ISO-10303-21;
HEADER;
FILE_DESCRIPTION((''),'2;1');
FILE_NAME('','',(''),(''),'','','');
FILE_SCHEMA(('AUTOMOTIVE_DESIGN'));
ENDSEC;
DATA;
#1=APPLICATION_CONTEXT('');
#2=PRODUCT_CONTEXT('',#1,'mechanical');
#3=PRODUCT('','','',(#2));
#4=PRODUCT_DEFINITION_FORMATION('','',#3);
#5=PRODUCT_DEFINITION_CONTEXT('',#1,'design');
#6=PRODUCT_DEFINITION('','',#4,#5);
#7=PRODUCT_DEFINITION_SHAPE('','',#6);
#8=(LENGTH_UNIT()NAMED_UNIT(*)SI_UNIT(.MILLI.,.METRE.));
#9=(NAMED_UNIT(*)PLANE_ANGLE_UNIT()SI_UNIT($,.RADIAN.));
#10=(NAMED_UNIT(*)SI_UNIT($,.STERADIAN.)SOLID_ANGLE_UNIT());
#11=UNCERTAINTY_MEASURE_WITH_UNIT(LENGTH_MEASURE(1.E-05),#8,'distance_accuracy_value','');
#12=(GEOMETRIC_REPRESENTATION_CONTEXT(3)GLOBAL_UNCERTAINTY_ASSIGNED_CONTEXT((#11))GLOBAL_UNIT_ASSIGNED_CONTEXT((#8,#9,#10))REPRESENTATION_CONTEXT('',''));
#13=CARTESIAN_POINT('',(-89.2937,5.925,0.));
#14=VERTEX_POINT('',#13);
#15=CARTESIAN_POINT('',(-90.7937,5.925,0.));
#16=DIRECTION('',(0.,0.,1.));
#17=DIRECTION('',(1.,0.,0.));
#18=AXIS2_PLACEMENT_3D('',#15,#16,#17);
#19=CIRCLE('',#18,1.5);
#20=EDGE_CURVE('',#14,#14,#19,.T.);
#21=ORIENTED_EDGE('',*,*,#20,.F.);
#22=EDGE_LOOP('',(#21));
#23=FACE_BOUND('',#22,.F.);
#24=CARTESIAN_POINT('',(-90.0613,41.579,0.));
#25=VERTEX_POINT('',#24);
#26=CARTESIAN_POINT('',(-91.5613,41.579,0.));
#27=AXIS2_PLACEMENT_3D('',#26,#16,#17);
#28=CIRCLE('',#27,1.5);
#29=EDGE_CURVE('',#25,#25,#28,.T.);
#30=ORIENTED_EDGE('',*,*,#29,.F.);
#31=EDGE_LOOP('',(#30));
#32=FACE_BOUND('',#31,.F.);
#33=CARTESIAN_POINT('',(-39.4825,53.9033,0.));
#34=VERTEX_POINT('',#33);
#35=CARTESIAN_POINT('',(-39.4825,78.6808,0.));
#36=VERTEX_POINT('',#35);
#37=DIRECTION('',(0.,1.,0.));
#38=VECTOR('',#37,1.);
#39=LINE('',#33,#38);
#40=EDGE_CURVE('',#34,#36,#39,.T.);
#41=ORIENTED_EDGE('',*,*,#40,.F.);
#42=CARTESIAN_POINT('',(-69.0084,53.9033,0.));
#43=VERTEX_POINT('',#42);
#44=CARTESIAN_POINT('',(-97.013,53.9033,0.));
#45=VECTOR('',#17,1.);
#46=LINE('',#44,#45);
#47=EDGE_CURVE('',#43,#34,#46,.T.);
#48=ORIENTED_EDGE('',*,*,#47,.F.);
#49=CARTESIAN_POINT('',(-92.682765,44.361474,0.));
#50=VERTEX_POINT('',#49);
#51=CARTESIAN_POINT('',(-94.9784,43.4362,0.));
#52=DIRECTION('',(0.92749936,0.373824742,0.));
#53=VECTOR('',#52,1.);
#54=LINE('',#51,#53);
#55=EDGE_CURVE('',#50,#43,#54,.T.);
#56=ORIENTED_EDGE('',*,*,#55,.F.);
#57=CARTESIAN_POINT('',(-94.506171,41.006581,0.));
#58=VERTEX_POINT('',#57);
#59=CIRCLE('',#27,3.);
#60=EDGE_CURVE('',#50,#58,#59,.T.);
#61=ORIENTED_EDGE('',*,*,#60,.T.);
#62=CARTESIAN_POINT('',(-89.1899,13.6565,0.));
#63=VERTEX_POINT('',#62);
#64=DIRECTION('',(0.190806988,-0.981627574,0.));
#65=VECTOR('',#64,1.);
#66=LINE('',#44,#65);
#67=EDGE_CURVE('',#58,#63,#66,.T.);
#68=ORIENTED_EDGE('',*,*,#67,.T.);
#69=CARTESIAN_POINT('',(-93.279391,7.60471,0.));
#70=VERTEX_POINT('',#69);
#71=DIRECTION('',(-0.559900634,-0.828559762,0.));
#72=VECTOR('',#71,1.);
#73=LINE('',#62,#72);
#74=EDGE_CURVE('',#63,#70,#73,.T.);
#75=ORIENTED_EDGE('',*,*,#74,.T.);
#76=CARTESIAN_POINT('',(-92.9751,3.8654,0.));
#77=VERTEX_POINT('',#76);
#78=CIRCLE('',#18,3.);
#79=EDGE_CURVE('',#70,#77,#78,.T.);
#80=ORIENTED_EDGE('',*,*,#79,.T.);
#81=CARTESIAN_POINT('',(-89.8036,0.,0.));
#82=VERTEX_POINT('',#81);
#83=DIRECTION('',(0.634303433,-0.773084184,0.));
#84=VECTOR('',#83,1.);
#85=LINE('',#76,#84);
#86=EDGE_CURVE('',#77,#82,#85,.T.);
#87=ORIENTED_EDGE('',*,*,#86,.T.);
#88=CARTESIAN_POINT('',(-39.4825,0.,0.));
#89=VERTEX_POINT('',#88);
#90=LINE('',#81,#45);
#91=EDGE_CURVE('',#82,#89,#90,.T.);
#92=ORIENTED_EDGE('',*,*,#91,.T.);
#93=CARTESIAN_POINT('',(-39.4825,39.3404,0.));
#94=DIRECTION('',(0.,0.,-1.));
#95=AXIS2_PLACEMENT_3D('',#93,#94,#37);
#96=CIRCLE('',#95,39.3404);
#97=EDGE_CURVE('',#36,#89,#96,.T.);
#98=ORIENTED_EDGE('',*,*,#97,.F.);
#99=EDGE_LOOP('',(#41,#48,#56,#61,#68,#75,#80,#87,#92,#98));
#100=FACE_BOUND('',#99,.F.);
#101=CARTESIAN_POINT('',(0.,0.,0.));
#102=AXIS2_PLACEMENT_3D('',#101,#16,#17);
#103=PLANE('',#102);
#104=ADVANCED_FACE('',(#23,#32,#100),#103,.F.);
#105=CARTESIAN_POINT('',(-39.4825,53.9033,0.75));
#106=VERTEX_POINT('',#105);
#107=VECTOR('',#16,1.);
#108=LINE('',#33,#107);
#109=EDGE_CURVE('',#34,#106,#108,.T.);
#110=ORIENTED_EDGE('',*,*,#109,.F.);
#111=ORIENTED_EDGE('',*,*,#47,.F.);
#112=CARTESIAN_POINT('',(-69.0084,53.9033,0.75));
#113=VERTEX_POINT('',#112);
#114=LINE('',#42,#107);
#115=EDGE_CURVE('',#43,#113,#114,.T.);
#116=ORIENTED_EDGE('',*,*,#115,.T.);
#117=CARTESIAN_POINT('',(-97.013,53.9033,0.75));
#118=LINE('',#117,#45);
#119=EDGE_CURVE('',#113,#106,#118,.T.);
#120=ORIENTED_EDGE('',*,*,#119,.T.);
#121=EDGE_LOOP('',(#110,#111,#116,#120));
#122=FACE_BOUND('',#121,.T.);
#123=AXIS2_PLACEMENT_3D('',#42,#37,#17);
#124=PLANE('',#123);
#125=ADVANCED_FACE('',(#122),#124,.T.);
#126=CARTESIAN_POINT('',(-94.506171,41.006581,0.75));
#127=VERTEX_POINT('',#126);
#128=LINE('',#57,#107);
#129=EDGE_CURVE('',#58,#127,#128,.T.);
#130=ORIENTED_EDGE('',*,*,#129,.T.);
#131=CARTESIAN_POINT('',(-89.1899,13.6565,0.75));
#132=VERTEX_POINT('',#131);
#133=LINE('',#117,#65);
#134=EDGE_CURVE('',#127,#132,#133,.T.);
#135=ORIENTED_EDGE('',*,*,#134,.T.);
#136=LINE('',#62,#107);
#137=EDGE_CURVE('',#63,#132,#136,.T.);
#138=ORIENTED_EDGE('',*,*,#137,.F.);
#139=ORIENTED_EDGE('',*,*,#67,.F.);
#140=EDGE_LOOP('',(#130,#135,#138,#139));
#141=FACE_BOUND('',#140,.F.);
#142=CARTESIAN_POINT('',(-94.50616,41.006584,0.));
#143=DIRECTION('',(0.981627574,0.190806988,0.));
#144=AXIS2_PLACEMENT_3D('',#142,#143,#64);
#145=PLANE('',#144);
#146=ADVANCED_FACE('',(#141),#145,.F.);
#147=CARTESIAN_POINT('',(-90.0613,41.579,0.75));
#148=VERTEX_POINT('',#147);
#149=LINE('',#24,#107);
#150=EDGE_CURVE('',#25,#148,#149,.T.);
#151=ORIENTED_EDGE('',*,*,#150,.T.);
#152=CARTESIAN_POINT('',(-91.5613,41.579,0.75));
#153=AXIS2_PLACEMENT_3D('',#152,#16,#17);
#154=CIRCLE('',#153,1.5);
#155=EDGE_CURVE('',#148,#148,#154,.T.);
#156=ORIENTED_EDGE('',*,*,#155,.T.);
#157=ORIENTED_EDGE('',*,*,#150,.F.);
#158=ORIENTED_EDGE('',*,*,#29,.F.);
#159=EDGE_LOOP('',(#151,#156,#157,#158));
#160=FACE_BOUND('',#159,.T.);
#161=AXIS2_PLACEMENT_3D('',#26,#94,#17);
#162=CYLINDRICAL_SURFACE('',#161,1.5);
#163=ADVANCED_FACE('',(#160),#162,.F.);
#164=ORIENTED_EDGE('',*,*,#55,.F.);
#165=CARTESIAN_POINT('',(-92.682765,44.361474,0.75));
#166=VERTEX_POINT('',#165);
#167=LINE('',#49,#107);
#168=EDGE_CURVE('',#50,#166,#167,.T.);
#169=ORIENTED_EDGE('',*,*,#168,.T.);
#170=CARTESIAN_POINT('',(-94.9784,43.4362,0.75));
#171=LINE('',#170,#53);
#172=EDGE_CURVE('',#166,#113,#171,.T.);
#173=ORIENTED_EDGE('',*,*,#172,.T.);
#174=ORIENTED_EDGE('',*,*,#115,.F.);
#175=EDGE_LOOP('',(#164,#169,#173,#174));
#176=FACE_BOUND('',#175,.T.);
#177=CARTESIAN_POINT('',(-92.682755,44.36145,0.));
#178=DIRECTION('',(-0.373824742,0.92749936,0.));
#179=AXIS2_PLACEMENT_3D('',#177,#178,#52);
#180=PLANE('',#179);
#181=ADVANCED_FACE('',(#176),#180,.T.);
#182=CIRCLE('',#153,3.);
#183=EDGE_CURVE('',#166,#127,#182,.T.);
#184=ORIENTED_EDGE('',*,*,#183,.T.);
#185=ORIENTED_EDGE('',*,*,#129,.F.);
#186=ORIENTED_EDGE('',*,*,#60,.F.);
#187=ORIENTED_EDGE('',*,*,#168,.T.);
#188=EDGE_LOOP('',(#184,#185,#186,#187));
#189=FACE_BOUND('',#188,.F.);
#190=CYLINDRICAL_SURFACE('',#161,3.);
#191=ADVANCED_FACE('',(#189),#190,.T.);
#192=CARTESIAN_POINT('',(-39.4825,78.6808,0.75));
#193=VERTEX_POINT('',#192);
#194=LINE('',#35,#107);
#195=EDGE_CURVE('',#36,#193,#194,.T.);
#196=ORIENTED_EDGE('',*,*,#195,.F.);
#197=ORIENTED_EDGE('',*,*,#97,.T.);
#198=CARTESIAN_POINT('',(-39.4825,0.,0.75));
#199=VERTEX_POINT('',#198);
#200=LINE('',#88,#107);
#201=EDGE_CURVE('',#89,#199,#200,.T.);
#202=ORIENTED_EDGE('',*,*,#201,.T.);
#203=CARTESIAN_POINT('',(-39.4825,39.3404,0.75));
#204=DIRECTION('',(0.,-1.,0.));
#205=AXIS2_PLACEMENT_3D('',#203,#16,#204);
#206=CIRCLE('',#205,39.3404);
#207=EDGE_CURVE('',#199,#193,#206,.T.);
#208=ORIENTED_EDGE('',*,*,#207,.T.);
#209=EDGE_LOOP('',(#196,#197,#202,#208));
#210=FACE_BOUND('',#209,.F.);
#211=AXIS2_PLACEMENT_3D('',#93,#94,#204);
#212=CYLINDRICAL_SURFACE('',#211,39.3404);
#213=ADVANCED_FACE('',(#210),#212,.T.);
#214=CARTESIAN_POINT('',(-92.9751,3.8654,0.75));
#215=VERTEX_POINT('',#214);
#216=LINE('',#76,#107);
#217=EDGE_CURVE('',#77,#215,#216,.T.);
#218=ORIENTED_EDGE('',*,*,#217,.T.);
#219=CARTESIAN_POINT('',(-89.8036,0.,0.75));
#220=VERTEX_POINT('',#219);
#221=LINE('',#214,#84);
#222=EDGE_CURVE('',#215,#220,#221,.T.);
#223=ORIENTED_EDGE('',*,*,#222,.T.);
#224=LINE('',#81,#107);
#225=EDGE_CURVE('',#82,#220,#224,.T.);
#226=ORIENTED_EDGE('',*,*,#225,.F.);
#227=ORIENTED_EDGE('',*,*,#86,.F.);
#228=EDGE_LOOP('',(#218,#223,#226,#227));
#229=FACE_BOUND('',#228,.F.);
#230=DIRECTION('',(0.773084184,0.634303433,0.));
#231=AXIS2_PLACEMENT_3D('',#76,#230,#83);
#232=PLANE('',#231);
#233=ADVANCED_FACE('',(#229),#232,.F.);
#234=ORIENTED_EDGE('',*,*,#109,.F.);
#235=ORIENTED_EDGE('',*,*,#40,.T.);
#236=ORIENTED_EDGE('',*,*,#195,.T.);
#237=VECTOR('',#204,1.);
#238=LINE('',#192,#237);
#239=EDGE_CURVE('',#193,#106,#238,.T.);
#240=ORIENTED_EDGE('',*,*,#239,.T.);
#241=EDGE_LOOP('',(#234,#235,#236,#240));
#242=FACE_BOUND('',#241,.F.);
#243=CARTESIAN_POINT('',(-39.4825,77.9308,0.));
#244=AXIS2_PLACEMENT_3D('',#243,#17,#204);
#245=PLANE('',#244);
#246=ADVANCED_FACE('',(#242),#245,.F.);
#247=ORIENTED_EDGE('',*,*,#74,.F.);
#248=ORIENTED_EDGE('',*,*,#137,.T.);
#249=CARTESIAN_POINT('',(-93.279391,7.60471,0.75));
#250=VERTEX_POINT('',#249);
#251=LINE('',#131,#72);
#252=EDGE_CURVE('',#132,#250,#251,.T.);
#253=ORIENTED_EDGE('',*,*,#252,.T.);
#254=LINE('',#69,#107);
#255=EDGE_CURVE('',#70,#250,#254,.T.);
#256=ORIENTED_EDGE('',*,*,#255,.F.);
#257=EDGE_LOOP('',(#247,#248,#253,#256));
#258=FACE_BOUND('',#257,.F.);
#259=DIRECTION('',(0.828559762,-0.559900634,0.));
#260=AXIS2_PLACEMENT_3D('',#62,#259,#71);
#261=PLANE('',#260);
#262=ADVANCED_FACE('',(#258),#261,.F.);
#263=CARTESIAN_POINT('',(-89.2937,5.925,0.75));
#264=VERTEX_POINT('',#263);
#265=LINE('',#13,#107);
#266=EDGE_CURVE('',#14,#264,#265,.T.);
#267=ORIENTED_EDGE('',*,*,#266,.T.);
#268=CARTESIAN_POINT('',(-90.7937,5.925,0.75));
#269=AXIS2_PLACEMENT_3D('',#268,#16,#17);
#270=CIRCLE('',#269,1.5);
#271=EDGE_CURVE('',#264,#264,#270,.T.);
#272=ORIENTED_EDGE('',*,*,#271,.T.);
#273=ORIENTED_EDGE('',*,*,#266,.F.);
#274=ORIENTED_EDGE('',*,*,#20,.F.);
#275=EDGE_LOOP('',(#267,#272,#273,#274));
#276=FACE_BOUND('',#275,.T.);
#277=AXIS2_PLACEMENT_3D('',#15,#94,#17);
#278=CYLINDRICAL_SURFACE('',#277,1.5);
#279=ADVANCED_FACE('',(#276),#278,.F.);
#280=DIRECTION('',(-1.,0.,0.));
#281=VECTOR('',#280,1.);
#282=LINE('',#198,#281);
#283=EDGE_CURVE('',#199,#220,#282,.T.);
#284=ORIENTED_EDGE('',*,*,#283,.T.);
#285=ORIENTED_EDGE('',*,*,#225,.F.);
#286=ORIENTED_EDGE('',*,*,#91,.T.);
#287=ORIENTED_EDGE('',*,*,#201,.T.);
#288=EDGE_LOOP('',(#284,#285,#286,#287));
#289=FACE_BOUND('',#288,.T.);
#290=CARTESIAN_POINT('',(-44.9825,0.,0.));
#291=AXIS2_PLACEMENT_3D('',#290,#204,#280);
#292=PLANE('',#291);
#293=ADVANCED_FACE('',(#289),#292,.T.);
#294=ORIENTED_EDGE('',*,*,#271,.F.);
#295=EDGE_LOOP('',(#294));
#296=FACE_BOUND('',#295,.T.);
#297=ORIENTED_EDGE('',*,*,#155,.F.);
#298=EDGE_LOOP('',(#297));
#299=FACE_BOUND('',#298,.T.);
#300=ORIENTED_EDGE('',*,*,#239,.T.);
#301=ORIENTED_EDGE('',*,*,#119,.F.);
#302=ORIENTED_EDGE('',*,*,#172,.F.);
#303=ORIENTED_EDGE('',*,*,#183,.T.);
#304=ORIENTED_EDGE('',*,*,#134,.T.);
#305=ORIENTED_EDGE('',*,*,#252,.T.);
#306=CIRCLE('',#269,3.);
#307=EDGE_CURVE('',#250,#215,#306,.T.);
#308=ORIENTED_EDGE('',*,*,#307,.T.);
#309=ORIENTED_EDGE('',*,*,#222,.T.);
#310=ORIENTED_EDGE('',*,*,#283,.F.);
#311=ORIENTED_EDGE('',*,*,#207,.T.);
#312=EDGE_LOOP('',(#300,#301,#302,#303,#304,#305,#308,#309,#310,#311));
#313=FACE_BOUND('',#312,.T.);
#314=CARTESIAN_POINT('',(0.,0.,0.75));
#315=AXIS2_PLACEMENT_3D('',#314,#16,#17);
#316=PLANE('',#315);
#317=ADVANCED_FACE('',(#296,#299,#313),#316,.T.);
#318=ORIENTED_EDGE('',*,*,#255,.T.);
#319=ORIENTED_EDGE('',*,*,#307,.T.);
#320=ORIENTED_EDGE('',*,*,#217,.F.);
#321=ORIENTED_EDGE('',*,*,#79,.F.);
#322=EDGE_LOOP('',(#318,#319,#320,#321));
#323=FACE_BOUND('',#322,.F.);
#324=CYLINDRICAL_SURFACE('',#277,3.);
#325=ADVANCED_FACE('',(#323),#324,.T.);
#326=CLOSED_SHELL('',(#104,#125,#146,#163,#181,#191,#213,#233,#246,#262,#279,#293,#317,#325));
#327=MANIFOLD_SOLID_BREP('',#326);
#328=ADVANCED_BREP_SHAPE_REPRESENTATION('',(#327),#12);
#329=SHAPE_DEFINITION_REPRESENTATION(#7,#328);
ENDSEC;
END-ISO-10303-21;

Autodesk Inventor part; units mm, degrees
ref_plane "YZ Plane" through (0, 0, 0) normal (1, 0, 0) x (0, 1, 0)
ref_plane "XZ Plane" through (0, 0, 0) normal (0, 1, 0) x (-1, 0, 0)
ref_plane "XY Plane" through (0, 0, 0) normal (0, 0, 1) x (1, 0, 0)
sketch "スケッチ1" plane through (0, 0, 0) normal (0, 0, 1) x (1, 0, 0)
  line L0 (44.9825, 3) -> (44.9825, 0) construction
  line L1 (44.9825, 0) -> (93.5151, 0) construction
  line L2 (44.9825, 3) -> (93.5151, 3) construction
  circle A0 centre (152.1179, -73.6808) radius 5 construction
  circle A1 centre (90.7937, -5.925) radius 3 construction
  circle A2 centre (91.5613, -41.579) radius 3 construction
  line L3 (50.9825, 0) -> (47.9825, 0) construction
  line L4 (47.9825, 0.7) -> (50.9825, 0.7) construction
  circle A3 centre (110.1553, -43.629) radius 14 construction
  circle A4 centre (105.6122, -16) radius 14 construction
  arc A5 (39.4825, -0.75) -> (39.4825, -77.9308) centre (39.4825, -39.3404) ccw construction
  line L5 (-44.9825, -3) -> (-44.9825, 0)
  line L6 (-44.9825, 0) -> (-93.5151, 0)
  line L7 (-44.9825, -3) -> (-93.5151, -3)
  circle A6 centre (-152.1179, 73.6808) radius 5
  circle A7 centre (-90.7937, 5.925) radius 3
  circle A8 centre (-91.5613, 41.579) radius 3
  line L8 (-50.9825, 0) -> (-47.9825, 0)
  line L9 (-47.9825, -0.7) -> (-50.9825, -0.7)
  circle A9 centre (-110.1553, 43.629) radius 14
  circle A10 centre (-105.6122, 16) radius 14
  arc A11 (-39.4825, 0.75) -> (-39.4825, 77.9308) centre (-39.4825, 39.3404) ccw
  line L10 (-97.013, 53.9033) -> (-2.9368, 53.9033)
  circle A12 centre (-91.5613, 41.579) radius 1.5
  circle A13 centre (-90.7937, 5.925) radius 1.5
  line L11 (-97.013, 53.9033) -> (-89.1899, 13.6565)
  line L12 (-89.1899, 13.6565) -> (-98.7082, -0.429)
  line L13 (0, 0) -> (-132.2518, 0)
  line L14 (-98.4183, 0) -> (-39.4825, 0)
  arc A14 (-39.4825, 0) -> (-39.4825, 78.6808) centre (-39.4825, 39.3404) ccw
  line L15 (-39.4825, 78.6808) -> (-39.4825, 53.9033)
  line L16 (-94.9784, 43.4362) -> (-69.0084, 53.9033)
  line L17 (-92.9751, 3.8654) -> (-89.8036, 0)
  point P0 (49.4825, 0.7)
  point P1 (-49.4825, -0.7)
  point P2 (-39.4825, 0)
  point P3 (-39.4825, 78.6808)
  point P4 (-92.6828, 44.3615)
  point P5 (-94.5062, 41.0065)
  point P6 (-44.9825, 0)
  point P7 (-89.8036, 0)
  point P8 (-93.2794, 7.6047)
  dimension "d2" = 360
  dimension "d4" = 3
  dimension "d5" = 3
  dimension "d6" = 1.5
  dimension "d7" = 41
  dimension "d8" = 79
  dimension "d9" = 17
  dimension "d11" = 0.75
  dimension "d14" = 28
  dimension "d16" = 5
extrude "押し出し1" add sketch "スケッチ1" along normal blind 0.75 contours L6 L17 A7 L12 L11 A8 L16 L10 A14 L13 | L10 A11 L15 A14 | L10 L15 A11 | A7 | A8
properties part number "回路BOX側面" material "ポリプロピレン"
